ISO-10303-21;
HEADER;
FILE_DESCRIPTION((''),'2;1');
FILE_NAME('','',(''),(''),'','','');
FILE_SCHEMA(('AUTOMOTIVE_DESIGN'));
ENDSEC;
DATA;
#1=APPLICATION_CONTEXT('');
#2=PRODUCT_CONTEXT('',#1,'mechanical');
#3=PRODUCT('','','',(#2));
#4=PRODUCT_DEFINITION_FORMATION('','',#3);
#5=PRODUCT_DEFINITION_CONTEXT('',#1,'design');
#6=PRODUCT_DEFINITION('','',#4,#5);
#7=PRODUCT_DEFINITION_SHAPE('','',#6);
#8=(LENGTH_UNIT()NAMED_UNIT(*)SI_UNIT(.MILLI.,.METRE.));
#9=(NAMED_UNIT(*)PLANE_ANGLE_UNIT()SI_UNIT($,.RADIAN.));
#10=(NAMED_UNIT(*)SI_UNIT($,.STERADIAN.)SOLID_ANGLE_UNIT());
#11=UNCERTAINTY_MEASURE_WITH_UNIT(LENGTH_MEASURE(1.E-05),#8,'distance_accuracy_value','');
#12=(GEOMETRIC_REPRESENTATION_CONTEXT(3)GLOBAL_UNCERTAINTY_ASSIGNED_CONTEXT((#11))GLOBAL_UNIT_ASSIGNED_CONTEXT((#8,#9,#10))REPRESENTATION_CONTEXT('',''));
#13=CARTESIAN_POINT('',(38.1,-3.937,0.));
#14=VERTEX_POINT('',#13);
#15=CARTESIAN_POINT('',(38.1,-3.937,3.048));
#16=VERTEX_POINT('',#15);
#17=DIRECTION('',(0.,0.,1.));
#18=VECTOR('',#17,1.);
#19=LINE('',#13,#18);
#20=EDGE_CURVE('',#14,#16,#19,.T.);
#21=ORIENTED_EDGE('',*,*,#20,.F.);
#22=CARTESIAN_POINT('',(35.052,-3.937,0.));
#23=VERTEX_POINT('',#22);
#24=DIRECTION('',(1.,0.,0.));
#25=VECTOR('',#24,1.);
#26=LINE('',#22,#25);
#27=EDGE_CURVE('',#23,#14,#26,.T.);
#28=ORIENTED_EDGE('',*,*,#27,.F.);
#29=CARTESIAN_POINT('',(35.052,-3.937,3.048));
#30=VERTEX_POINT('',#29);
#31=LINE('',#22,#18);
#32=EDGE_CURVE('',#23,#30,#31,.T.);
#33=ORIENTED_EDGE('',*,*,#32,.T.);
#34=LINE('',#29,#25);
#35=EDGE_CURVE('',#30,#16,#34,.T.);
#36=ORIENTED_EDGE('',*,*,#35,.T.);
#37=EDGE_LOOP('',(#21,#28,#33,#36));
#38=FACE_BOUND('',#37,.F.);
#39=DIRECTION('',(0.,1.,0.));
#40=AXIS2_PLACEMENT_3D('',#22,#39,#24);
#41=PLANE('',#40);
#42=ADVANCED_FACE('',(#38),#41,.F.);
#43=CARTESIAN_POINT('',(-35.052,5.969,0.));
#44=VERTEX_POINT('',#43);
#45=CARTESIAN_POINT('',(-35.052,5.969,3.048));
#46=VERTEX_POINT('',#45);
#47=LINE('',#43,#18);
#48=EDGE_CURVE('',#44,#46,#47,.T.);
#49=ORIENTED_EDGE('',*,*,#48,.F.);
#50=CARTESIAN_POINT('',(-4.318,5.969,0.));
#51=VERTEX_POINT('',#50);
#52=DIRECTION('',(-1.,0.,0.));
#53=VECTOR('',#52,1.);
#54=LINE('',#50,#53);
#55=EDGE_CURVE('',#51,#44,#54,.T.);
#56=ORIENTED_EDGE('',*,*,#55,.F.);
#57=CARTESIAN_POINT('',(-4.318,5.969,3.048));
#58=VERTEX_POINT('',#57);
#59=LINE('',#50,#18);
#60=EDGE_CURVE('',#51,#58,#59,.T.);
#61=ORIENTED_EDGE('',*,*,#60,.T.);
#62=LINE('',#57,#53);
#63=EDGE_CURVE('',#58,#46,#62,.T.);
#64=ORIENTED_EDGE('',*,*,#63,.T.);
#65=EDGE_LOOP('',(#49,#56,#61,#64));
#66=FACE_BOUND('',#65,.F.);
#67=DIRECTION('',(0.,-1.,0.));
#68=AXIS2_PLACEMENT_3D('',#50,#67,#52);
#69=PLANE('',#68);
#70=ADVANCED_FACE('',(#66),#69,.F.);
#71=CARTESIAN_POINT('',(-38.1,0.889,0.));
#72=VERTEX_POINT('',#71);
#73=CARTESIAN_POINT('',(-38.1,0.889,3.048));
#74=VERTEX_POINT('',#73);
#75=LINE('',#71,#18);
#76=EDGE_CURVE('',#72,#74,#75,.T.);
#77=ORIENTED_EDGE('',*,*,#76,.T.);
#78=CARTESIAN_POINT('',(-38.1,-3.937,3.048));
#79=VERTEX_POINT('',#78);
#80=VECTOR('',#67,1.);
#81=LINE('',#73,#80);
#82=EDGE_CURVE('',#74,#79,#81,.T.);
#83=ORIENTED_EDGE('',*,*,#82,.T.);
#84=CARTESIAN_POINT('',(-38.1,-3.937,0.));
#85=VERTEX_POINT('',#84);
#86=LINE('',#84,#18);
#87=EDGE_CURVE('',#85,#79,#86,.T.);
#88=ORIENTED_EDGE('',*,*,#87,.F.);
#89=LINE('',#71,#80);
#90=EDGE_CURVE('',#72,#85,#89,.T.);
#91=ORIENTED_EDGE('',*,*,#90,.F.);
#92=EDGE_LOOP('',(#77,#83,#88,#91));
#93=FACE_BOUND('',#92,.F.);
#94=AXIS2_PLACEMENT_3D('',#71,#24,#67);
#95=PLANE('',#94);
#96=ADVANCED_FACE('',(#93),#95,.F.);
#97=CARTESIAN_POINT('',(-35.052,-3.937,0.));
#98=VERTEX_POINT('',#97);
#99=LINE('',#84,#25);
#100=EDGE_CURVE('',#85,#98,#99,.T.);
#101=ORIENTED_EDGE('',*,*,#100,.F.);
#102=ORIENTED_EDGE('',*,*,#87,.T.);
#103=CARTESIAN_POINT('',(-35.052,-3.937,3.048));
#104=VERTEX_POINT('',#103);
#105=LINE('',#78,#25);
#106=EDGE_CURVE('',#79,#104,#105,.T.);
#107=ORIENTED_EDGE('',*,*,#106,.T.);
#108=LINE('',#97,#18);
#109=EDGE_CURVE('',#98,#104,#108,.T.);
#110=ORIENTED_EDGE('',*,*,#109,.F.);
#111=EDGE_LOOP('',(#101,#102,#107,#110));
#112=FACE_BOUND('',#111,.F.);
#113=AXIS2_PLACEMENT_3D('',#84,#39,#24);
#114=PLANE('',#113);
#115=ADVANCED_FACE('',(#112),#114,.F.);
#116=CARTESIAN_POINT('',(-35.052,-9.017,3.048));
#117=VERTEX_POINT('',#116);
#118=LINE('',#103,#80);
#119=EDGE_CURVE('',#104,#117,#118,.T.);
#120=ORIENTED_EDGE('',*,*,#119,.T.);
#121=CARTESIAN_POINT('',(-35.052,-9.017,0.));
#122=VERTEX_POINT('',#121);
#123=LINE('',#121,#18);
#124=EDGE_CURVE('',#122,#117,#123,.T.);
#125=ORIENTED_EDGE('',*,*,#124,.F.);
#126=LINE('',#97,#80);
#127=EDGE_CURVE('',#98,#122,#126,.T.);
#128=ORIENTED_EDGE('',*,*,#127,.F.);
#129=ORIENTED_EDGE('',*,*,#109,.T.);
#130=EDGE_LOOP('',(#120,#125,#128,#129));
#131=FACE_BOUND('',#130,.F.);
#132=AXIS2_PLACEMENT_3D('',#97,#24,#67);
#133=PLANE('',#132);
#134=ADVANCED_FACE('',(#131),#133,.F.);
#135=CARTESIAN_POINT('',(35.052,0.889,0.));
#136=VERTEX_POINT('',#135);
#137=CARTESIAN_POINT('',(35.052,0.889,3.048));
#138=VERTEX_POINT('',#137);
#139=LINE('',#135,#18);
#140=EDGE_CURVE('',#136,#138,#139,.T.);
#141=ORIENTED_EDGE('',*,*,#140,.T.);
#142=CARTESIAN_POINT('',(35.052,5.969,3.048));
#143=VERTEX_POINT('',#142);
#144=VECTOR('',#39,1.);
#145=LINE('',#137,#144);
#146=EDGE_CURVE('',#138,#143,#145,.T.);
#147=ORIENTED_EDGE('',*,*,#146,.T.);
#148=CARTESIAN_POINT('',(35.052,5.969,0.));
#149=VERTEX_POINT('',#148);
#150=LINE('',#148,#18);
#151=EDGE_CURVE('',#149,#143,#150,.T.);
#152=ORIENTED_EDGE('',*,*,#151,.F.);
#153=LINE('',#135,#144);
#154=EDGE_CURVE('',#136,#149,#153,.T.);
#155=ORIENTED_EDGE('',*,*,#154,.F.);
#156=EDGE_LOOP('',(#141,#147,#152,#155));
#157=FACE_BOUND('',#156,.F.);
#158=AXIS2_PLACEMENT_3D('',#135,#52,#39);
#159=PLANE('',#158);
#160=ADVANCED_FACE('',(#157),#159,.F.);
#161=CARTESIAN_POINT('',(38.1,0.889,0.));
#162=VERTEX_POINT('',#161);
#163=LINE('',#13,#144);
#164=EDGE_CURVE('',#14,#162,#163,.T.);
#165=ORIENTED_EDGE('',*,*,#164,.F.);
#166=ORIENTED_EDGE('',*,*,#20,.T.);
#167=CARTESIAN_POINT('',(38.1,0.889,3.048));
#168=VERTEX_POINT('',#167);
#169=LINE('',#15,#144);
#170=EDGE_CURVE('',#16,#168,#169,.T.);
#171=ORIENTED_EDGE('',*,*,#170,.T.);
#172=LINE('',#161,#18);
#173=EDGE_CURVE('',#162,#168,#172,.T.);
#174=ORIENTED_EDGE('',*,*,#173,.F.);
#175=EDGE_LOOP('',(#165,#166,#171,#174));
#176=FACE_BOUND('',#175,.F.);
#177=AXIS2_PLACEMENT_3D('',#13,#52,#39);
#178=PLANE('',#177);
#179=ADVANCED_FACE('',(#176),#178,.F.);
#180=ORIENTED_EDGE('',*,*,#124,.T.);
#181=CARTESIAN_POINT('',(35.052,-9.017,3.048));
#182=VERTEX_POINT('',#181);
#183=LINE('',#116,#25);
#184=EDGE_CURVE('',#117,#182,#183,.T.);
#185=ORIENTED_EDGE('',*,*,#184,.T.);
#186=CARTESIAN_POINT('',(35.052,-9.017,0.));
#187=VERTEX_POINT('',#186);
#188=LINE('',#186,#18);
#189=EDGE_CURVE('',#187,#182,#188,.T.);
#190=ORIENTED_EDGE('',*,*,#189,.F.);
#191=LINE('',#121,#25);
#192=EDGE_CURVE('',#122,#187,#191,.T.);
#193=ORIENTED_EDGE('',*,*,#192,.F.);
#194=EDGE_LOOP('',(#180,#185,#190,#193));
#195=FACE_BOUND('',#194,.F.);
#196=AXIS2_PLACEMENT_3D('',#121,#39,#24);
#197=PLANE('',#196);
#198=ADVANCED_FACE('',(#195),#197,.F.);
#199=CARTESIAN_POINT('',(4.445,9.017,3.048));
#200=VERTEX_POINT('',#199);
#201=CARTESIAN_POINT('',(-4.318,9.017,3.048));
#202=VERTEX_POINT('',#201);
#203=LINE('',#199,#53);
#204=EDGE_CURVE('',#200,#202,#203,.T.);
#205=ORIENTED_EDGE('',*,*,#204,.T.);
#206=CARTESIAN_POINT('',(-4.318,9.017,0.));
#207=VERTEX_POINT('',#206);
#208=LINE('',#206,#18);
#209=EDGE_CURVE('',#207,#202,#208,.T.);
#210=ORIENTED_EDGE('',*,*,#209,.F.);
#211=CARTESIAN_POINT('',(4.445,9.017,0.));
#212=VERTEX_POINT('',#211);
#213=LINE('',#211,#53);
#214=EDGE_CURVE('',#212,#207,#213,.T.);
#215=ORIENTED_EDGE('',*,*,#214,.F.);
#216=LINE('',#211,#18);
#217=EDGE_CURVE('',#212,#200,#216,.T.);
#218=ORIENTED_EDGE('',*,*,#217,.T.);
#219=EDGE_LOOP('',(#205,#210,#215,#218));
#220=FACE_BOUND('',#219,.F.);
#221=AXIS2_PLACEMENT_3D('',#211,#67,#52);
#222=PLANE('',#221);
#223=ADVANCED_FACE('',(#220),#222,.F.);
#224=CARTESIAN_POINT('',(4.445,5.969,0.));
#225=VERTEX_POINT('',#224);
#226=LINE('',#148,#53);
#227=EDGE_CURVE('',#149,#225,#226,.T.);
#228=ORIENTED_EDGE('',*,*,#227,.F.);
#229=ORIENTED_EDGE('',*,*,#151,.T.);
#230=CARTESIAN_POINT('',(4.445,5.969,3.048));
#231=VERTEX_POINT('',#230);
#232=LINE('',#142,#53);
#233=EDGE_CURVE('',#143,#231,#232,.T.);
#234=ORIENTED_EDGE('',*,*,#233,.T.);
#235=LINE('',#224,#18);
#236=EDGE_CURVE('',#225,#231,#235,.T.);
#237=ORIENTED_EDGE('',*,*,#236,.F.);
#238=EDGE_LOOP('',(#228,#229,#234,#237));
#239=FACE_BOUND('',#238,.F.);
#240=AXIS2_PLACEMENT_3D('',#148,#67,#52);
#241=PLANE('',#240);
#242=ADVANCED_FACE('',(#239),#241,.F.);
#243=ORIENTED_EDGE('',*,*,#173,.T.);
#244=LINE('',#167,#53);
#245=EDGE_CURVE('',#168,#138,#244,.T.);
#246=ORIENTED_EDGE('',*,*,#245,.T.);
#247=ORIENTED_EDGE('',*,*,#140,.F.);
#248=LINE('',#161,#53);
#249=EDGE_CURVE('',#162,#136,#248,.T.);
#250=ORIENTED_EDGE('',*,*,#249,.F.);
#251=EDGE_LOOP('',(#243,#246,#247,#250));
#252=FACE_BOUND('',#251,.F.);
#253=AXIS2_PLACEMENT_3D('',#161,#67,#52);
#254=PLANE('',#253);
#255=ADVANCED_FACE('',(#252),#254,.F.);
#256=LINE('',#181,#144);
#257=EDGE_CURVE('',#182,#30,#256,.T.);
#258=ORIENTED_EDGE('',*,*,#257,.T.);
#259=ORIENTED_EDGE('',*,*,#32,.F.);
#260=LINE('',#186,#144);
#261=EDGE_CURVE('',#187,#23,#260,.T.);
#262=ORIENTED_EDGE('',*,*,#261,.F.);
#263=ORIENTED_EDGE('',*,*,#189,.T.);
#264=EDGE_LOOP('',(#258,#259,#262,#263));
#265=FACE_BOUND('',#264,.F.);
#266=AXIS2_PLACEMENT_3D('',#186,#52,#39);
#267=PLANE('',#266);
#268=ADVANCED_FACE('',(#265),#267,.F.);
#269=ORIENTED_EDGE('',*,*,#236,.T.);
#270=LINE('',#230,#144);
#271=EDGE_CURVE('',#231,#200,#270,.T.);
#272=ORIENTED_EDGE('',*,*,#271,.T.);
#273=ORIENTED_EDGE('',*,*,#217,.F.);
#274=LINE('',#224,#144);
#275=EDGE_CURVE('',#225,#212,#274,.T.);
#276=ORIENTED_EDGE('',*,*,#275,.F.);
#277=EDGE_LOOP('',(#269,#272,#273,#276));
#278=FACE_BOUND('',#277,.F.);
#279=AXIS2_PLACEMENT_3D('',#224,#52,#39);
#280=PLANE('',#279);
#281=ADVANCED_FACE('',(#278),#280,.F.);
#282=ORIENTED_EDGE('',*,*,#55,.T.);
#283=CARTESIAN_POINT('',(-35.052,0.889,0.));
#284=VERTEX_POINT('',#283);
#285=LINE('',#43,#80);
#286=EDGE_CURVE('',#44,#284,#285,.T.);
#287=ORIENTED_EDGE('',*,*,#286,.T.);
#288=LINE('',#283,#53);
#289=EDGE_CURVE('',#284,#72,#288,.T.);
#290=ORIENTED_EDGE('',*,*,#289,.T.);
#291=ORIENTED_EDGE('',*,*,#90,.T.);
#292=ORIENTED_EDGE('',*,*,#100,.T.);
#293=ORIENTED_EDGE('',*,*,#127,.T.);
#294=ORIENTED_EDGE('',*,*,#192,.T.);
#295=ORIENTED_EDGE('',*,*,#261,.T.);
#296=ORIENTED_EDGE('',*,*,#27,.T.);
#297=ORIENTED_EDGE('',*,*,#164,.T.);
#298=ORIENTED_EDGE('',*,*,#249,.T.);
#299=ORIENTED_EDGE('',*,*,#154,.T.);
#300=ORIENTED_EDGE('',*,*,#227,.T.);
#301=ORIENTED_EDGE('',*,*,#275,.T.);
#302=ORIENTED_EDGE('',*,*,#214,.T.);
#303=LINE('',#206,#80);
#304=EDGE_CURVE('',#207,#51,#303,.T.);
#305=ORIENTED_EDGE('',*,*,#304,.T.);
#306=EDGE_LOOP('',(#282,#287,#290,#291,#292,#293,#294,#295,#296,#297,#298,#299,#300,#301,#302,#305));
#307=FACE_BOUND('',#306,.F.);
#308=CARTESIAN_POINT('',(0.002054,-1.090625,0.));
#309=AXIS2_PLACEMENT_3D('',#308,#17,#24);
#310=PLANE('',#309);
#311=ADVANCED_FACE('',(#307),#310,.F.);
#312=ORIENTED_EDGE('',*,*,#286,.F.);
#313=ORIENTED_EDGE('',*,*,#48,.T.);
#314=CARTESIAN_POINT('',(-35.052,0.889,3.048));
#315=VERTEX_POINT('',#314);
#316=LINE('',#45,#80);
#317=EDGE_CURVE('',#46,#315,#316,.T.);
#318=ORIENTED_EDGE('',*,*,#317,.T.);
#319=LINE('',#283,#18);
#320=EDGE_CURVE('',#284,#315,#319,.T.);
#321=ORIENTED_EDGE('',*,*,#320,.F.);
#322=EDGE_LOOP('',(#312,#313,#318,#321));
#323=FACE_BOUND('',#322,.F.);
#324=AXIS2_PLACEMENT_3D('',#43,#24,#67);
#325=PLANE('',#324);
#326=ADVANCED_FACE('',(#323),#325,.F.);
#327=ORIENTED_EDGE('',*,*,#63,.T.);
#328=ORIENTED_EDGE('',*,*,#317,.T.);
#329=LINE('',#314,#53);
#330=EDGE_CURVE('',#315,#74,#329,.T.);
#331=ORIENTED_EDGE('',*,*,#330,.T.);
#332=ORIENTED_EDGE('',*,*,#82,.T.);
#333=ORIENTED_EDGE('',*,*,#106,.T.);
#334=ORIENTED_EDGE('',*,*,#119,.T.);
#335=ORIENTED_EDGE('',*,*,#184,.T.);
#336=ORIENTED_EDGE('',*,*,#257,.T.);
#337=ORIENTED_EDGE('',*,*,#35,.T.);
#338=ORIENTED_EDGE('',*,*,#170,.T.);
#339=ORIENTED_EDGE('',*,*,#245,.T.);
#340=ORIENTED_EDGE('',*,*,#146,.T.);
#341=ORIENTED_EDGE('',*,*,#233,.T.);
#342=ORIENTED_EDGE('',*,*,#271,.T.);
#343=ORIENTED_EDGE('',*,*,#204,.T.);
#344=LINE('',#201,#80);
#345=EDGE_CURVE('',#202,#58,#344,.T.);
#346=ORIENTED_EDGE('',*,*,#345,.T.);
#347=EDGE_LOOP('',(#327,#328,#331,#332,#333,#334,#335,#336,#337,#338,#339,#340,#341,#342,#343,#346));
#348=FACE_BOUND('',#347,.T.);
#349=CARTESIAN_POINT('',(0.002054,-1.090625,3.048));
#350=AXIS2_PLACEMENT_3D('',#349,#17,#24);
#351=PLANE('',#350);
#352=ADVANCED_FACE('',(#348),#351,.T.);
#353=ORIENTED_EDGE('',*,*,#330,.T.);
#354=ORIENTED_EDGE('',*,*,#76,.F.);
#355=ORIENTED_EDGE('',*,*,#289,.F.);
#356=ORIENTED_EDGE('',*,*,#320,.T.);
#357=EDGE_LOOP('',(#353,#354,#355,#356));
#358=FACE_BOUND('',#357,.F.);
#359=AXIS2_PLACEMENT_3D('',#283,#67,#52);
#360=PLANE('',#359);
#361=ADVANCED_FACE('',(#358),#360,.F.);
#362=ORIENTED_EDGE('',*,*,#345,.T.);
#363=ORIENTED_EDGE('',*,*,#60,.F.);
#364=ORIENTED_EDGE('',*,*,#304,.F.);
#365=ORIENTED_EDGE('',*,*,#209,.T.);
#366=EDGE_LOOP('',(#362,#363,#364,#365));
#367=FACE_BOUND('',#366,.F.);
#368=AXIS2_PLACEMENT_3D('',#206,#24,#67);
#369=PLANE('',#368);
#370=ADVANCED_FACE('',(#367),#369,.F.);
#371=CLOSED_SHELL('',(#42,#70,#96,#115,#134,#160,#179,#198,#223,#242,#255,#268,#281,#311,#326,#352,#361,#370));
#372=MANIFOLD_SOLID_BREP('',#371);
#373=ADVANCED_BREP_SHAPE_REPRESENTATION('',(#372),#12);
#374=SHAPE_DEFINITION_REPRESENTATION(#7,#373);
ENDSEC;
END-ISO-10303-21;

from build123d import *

# Parameters (mm, degrees)
F1_DEPTH = 3.048


with BuildPart() as f1:
    # F0 (on Top) → F1 (new body)
    with BuildSketch(Plane.XY):
        Polygon((4.445, 9.017), (-4.318, 9.017), (-4.318, 5.969), (-35.052, 5.969), (-35.052, 0.889), (-38.1, 0.889), (-38.1, -3.937), (-35.052, -3.937), (-35.052, -9.017), (35.052, -9.017), (35.052, -3.937), (38.1, -3.937), (38.1, 0.889), (35.052, 0.889), (35.052, 5.969), (4.445, 5.969), align=None)
    extrude(amount=F1_DEPTH)


solid = f1.part
